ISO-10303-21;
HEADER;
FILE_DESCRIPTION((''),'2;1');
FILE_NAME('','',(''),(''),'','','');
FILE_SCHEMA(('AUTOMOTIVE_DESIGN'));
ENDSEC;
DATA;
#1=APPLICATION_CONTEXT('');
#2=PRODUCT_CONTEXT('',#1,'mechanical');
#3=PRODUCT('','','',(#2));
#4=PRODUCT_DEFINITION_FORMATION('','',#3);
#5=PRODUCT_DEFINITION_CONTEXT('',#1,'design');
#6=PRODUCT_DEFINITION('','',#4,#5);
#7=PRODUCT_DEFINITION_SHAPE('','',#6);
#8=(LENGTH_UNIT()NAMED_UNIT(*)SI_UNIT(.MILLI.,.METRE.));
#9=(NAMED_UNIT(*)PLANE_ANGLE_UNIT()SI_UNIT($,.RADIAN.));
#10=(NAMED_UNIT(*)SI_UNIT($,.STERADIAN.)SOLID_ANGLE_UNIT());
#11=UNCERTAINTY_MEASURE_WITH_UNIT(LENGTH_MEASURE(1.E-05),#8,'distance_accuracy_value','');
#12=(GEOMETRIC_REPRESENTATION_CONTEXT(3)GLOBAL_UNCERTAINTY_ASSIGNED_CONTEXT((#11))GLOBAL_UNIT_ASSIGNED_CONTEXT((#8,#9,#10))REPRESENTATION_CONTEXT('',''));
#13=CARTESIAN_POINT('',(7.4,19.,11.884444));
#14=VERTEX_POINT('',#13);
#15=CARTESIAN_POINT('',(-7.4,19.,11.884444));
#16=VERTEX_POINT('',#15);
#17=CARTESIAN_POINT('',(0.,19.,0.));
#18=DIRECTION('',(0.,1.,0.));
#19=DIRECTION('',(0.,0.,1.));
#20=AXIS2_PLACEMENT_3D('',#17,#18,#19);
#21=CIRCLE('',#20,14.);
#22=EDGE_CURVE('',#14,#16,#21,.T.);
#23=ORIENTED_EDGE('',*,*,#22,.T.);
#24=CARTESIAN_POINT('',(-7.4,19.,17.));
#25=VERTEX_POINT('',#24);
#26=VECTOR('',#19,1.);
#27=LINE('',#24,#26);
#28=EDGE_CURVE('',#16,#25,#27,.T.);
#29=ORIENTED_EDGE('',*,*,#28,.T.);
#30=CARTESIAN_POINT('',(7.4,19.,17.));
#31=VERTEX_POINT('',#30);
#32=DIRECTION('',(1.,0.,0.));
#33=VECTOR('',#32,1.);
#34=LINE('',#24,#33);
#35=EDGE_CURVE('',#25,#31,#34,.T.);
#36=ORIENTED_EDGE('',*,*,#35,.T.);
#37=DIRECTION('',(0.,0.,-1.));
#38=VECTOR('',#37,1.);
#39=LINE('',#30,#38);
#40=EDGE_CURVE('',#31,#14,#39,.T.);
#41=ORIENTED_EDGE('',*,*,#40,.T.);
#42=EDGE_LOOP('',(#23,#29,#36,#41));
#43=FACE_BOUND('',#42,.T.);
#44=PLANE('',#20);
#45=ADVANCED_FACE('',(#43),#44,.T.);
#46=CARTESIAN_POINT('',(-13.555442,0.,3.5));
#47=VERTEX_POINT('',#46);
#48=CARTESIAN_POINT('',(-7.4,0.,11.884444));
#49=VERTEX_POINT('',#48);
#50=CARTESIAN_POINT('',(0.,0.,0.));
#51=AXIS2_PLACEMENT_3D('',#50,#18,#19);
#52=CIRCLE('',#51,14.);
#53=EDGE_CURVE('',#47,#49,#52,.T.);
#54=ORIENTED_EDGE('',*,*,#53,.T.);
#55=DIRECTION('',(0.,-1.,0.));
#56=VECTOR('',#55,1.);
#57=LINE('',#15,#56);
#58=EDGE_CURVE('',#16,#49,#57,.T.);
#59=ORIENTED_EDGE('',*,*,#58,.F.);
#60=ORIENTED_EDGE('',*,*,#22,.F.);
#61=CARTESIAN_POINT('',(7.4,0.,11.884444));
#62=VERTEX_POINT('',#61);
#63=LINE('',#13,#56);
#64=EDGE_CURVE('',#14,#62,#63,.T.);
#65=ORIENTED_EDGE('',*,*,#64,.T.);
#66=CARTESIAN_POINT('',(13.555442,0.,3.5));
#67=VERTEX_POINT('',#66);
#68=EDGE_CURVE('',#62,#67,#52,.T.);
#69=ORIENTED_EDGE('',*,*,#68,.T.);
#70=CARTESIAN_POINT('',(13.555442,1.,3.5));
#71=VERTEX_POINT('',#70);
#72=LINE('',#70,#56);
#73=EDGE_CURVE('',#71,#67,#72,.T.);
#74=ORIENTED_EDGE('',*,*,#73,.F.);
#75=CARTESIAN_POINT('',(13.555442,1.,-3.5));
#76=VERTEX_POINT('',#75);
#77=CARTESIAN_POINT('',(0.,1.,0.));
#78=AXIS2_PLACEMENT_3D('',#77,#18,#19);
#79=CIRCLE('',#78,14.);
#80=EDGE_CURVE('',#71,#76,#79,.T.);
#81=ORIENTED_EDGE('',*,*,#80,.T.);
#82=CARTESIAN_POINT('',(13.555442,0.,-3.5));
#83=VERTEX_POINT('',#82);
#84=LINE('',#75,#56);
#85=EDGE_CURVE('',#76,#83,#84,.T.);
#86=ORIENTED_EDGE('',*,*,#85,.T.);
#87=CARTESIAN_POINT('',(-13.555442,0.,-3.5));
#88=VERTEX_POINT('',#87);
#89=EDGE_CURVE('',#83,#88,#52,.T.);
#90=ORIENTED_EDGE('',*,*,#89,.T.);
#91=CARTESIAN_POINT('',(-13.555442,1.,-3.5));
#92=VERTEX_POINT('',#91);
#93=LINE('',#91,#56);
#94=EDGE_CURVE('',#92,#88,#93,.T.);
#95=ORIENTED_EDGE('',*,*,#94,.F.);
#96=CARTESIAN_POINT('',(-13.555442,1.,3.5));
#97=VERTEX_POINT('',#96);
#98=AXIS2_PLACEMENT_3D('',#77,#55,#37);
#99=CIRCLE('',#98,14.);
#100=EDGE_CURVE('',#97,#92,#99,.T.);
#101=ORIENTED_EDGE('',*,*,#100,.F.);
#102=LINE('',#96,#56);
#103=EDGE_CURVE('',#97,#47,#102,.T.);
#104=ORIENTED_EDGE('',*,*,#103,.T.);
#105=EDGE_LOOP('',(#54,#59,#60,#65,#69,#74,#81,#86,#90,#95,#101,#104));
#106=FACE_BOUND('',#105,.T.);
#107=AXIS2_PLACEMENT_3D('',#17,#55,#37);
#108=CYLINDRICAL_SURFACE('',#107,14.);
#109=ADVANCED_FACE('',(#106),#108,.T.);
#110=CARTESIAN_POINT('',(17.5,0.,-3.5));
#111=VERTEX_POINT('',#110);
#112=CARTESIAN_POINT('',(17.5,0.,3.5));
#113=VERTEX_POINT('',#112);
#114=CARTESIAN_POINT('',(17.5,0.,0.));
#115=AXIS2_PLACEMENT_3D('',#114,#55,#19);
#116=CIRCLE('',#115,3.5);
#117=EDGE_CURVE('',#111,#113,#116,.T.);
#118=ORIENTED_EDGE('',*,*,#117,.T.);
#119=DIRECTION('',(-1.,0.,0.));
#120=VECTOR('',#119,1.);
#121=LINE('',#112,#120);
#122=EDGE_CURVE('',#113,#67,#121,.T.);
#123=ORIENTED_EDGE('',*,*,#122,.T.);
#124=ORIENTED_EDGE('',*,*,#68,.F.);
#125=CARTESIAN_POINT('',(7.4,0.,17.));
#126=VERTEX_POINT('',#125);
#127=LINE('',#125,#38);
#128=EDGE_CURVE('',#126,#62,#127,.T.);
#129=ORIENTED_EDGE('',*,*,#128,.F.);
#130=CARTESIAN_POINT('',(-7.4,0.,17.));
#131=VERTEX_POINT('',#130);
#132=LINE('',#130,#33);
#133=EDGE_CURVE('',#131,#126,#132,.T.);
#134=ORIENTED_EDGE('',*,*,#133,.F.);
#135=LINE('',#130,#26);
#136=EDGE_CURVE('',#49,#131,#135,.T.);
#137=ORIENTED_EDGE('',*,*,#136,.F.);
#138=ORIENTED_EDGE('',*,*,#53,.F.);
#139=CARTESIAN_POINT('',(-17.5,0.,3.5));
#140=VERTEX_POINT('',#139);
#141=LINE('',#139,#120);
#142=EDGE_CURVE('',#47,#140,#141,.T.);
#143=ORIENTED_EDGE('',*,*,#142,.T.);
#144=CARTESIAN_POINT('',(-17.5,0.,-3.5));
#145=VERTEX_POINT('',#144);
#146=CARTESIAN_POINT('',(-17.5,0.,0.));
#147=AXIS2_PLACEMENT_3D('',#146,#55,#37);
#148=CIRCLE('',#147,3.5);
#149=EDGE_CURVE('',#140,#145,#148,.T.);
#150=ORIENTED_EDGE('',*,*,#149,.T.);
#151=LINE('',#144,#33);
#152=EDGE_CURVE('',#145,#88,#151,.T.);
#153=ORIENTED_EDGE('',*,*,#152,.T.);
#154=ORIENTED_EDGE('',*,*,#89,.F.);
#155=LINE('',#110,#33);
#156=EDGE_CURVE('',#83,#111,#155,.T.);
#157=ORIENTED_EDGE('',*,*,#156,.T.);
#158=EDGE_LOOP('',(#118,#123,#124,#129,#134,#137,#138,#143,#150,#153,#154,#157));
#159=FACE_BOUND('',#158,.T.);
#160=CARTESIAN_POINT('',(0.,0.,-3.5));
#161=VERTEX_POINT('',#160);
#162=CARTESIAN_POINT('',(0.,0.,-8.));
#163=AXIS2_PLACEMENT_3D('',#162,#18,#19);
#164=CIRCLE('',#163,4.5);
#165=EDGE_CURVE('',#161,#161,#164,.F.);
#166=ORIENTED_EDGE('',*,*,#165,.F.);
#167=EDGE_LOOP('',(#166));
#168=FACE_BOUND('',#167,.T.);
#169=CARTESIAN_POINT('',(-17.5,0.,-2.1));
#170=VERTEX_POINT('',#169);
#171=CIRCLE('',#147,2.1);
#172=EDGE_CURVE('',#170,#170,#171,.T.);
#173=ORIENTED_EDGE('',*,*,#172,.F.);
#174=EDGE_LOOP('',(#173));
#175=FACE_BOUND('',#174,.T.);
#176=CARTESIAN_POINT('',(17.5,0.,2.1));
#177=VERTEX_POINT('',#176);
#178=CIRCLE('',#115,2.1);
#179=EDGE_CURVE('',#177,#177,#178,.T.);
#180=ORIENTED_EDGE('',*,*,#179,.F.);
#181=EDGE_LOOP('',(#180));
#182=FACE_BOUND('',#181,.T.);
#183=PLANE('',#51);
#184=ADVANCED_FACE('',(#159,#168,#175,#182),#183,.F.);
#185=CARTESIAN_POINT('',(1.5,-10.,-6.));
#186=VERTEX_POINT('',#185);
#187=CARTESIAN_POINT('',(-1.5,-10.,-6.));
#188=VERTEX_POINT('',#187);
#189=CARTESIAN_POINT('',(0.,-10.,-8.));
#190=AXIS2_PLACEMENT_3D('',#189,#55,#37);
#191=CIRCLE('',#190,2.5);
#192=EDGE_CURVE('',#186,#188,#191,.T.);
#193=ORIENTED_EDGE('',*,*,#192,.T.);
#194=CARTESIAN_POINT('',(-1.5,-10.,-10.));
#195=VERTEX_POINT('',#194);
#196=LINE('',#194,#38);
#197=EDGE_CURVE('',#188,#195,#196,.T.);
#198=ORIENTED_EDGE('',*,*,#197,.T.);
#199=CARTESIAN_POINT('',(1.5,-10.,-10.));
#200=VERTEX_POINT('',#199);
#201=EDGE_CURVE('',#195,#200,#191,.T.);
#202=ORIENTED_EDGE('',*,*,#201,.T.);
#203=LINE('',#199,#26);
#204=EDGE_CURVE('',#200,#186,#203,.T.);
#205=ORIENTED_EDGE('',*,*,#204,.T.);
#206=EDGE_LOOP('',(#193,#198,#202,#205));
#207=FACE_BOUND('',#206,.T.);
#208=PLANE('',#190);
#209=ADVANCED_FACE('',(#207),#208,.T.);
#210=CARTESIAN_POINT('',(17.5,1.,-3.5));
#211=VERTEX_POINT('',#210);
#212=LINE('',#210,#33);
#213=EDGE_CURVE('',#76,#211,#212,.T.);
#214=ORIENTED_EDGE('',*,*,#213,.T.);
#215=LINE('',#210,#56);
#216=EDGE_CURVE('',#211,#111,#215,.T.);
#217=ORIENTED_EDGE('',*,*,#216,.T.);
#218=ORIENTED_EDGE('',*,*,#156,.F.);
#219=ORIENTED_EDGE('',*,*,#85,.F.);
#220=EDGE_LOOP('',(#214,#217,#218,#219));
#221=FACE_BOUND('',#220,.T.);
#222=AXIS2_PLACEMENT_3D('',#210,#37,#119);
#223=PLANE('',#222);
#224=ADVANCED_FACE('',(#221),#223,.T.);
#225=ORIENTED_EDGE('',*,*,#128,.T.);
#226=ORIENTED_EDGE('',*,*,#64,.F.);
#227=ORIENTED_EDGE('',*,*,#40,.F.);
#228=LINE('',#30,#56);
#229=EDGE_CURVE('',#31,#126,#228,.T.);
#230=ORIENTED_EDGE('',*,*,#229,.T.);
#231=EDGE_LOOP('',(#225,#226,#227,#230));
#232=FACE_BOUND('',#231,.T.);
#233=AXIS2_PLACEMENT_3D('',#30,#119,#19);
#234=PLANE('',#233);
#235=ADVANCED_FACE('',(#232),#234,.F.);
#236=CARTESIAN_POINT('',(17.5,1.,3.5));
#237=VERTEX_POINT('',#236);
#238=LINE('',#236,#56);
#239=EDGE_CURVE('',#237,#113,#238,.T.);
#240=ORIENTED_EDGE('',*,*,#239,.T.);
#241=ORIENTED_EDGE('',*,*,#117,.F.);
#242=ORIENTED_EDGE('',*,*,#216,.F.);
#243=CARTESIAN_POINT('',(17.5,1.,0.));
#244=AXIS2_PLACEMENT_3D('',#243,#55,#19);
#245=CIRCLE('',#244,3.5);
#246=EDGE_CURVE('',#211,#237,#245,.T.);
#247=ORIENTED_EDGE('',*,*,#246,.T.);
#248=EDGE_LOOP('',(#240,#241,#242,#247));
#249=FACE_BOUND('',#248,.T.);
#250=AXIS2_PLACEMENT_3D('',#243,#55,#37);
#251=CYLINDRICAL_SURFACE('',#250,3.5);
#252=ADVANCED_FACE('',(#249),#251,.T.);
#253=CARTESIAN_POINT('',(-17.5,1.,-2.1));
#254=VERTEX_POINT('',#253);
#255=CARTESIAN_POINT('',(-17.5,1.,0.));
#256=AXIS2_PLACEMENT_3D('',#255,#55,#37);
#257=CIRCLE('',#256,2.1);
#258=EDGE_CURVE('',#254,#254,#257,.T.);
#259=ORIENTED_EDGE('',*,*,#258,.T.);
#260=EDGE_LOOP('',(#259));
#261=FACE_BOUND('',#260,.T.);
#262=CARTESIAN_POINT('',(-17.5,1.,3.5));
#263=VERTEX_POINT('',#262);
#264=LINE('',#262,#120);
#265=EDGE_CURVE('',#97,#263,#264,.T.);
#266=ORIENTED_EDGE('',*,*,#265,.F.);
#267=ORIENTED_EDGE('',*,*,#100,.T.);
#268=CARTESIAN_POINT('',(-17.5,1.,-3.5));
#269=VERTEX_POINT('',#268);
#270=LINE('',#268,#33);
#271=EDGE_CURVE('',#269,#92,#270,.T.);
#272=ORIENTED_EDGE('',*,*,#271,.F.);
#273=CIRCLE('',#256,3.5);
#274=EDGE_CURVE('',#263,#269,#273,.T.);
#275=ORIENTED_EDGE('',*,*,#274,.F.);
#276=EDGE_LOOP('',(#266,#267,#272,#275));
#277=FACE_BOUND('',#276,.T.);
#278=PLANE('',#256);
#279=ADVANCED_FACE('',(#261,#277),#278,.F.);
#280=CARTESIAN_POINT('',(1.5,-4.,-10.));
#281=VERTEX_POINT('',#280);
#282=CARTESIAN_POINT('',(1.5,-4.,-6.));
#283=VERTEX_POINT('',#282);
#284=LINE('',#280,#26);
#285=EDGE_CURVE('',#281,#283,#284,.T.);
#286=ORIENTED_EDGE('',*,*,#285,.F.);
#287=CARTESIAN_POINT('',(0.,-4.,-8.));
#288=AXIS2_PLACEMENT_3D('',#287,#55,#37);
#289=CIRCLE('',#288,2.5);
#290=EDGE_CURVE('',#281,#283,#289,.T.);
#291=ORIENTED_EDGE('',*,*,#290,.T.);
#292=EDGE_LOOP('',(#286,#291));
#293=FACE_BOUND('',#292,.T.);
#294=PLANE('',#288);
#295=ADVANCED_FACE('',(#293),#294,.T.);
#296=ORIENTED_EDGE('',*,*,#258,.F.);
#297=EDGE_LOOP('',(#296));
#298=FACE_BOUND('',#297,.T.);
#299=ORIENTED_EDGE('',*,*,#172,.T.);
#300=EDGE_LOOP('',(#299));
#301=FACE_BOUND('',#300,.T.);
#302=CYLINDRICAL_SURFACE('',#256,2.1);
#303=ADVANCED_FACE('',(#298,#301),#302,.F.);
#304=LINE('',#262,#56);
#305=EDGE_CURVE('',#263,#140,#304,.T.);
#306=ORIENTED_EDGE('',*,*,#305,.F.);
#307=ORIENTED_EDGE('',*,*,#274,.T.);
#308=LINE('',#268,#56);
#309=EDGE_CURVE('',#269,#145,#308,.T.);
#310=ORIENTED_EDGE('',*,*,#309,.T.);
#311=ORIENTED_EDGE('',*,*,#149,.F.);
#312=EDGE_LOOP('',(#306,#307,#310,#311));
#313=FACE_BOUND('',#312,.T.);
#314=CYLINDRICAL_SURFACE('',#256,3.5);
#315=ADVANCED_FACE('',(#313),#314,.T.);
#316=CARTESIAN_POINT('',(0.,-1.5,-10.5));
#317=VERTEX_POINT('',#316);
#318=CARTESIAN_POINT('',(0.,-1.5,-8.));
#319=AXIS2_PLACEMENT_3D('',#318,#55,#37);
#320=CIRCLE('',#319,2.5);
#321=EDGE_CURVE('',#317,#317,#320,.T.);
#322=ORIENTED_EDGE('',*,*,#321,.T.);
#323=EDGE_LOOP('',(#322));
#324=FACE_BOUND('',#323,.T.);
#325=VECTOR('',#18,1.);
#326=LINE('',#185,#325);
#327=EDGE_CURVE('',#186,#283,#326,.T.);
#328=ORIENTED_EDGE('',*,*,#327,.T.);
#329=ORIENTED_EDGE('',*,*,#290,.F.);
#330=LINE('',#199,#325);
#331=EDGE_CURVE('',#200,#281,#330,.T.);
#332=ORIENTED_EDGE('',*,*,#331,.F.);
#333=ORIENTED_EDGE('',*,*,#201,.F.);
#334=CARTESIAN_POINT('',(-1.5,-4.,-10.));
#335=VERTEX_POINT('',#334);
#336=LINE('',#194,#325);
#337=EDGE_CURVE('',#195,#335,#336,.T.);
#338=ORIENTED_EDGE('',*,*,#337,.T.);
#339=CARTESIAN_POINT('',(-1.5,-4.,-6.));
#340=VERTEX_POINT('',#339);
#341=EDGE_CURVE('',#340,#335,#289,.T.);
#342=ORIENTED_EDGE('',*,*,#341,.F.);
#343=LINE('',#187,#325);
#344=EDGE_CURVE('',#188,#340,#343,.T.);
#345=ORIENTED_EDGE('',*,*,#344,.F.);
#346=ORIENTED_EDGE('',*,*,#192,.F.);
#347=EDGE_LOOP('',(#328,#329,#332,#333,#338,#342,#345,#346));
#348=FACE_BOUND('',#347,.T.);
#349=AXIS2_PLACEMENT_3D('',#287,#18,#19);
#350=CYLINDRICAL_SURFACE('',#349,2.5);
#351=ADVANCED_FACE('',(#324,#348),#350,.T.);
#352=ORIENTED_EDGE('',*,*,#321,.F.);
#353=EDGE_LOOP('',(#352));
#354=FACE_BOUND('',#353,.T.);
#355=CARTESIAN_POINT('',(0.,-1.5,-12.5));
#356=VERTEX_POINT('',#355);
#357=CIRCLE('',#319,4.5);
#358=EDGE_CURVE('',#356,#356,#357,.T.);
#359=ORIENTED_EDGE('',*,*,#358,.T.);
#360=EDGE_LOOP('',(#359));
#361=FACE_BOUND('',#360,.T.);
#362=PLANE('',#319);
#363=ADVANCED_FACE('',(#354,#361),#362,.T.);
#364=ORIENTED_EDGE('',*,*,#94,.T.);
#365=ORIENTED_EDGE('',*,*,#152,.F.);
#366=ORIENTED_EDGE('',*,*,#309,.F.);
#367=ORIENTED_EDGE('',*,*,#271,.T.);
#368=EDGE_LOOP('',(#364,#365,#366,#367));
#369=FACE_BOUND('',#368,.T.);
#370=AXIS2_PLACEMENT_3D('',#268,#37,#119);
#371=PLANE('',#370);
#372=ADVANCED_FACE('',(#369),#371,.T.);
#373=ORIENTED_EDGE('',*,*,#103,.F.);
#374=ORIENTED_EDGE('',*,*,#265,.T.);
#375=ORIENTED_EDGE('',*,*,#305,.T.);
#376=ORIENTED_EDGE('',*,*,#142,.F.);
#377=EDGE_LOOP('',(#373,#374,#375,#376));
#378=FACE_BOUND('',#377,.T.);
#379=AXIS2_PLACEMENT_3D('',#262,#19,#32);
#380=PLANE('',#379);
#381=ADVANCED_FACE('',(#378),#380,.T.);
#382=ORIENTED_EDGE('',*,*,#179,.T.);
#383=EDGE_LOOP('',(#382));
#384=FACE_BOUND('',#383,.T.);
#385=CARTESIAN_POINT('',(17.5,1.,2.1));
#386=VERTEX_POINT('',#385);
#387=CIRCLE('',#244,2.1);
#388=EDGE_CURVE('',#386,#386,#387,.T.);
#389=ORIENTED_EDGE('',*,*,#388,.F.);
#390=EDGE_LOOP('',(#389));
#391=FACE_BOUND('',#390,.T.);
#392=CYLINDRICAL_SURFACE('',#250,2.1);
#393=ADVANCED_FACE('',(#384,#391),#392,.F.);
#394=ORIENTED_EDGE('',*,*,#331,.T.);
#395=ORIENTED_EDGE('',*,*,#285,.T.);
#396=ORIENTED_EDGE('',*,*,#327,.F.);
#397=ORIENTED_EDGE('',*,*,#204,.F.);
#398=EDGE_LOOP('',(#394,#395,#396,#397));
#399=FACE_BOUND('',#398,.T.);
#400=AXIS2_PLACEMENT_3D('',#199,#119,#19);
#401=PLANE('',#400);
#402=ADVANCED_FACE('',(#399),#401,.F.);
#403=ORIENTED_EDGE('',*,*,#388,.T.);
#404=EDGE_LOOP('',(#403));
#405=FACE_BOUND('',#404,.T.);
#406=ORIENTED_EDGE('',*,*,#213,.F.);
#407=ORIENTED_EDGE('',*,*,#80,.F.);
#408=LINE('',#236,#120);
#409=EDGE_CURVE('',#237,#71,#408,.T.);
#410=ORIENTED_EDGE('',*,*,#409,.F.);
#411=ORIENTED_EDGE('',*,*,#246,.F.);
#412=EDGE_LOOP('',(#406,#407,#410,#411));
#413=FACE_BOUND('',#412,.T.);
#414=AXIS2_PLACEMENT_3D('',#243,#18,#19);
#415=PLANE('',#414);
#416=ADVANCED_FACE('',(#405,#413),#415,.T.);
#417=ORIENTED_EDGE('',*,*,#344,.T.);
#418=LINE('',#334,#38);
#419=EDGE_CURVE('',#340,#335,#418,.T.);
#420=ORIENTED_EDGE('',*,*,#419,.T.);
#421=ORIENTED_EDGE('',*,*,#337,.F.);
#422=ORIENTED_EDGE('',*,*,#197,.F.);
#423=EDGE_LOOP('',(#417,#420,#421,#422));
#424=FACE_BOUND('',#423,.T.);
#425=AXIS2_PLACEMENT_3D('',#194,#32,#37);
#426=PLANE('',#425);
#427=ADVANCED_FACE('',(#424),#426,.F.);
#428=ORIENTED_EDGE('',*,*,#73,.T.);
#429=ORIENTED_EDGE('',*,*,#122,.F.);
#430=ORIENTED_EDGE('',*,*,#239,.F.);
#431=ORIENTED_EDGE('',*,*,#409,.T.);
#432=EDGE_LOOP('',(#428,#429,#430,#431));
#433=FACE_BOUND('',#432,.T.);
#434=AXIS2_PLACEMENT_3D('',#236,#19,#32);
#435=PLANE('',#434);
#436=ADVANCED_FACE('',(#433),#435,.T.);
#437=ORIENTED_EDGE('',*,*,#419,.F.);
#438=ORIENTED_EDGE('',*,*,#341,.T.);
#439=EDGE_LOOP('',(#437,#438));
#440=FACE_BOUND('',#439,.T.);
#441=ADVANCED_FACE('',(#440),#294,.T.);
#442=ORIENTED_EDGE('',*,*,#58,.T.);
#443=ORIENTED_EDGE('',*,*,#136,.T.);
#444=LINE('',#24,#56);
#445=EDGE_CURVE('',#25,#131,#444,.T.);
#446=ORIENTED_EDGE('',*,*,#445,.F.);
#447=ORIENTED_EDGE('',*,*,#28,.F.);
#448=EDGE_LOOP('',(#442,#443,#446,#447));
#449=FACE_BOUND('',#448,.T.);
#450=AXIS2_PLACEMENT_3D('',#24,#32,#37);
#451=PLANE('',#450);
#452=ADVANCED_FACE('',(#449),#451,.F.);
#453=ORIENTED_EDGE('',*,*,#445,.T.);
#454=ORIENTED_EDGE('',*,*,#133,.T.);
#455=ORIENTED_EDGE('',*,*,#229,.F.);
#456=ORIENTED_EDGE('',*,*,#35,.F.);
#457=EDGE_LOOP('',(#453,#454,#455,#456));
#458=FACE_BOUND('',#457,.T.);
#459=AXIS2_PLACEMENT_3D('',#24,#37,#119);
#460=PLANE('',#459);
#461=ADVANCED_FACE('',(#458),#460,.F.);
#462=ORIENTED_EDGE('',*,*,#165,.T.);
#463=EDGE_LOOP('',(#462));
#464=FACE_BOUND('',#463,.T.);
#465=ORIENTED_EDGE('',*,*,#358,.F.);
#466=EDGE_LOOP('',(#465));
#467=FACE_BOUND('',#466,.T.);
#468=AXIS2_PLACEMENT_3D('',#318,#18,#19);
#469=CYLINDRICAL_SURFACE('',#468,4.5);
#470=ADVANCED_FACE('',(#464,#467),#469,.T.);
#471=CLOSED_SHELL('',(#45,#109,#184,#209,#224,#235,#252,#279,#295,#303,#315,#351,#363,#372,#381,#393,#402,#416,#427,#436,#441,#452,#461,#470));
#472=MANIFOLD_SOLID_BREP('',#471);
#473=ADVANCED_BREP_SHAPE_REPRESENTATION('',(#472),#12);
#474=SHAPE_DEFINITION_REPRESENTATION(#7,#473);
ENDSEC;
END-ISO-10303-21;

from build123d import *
from build123d.topology import SkipClean

# Parameters (mm, degrees)
BOSS_EXTRUDE1_DEPTH = 19
SKETCH2_R           = 2.1
BOSS_EXTRUDE2_DEPTH = 1
SKETCH3_R           = 4.5
BOSS_EXTRUDE3_DEPTH = 1.5
SKETCH4_R           = 2.5
BOSS_EXTRUDE4_DEPTH = 2.5
BOSS_EXTRUDE5_DEPTH = 6


with BuildPart() as part:
    # Sketch1 → Boss-Extrude1 (new body)
    with BuildSketch(Plane(origin=(0, 0, 0), x_dir=(1, 0, 0), z_dir=(0, 1, 0))):
        with BuildLine():
            Line((-7.4, -17), (-7.4, -11.884443613))
            ThreePointArc((-7.4, -11.884443613), (0, 14), (7.4, -11.884443613))
            Line((7.4, -11.884443613), (7.4, -17))
            Line((7.4, -17), (-7.4, -17))
        make_face()
    extrude(amount=BOSS_EXTRUDE1_DEPTH)

    # Sketch2 → Boss-Extrude2 (add)
    # profile 1 of 2: a face of its own
    with BuildSketch(Plane.XZ):
        with BuildLine():
            Line((13.555441712, -3.5), (13.555441712, 3.5))
            Line((13.555441712, 3.5), (17.5, 3.5))
            ThreePointArc((17.5, 3.5), (21, 0), (17.5, -3.5))
            Line((17.5, -3.5), (13.555441712, -3.5))
        make_face()
        with Locations(Location((17.5, 0, 0), (0, 0, 90))):
            Circle(SKETCH2_R, mode=Mode.SUBTRACT)
    # profile 2 of 2: a face of its own
    with BuildSketch(Plane.XZ):
        with BuildLine():
            Line((-17.5, -3.5), (-13.555441712, -3.5))
            Line((-13.555441712, -3.5), (-13.555441712, 3.5))
            Line((-13.555441712, 3.5), (-17.5, 3.5))
            ThreePointArc((-17.5, 3.5), (-21, 0), (-17.5, -3.5))
        make_face()
        with Locations(Location((-17.5, 0, 0), (0, 0, 270))):
            Circle(SKETCH2_R, mode=Mode.SUBTRACT)
    extrude(amount=-BOSS_EXTRUDE2_DEPTH)

    # Sketch3 → Boss-Extrude3 (add)
    with BuildSketch(Plane.XZ):
        with Locations(Location((0, -8, 0), (0, 0, 90))):
            Circle(SKETCH3_R)
    extrude(amount=BOSS_EXTRUDE3_DEPTH)

    # Sketch4 → Boss-Extrude4 (add)
    with BuildSketch(Plane.XZ.offset(1.5)):
        with Locations(Location((0, -8, 0), (0, 0, 270))):
            Circle(SKETCH4_R)
    extrude(amount=BOSS_EXTRUDE4_DEPTH)

    # Sketch5 → Boss-Extrude5 (add)
    with SkipClean():  # the faces are left unmerged after this step: merging them gives an invalid solid
        with BuildSketch(Plane.XZ.offset(4)):
            with BuildLine():
                Line((-1.5, -10), (-1.5, -6))
                ThreePointArc((-1.5, -6), (0, -5.5), (1.5, -6))
                Line((1.5, -6), (1.5, -10))
                ThreePointArc((1.5, -10), (0, -10.5), (-1.5, -10))
            make_face()
        extrude(amount=BOSS_EXTRUDE5_DEPTH)


solid = part.part
